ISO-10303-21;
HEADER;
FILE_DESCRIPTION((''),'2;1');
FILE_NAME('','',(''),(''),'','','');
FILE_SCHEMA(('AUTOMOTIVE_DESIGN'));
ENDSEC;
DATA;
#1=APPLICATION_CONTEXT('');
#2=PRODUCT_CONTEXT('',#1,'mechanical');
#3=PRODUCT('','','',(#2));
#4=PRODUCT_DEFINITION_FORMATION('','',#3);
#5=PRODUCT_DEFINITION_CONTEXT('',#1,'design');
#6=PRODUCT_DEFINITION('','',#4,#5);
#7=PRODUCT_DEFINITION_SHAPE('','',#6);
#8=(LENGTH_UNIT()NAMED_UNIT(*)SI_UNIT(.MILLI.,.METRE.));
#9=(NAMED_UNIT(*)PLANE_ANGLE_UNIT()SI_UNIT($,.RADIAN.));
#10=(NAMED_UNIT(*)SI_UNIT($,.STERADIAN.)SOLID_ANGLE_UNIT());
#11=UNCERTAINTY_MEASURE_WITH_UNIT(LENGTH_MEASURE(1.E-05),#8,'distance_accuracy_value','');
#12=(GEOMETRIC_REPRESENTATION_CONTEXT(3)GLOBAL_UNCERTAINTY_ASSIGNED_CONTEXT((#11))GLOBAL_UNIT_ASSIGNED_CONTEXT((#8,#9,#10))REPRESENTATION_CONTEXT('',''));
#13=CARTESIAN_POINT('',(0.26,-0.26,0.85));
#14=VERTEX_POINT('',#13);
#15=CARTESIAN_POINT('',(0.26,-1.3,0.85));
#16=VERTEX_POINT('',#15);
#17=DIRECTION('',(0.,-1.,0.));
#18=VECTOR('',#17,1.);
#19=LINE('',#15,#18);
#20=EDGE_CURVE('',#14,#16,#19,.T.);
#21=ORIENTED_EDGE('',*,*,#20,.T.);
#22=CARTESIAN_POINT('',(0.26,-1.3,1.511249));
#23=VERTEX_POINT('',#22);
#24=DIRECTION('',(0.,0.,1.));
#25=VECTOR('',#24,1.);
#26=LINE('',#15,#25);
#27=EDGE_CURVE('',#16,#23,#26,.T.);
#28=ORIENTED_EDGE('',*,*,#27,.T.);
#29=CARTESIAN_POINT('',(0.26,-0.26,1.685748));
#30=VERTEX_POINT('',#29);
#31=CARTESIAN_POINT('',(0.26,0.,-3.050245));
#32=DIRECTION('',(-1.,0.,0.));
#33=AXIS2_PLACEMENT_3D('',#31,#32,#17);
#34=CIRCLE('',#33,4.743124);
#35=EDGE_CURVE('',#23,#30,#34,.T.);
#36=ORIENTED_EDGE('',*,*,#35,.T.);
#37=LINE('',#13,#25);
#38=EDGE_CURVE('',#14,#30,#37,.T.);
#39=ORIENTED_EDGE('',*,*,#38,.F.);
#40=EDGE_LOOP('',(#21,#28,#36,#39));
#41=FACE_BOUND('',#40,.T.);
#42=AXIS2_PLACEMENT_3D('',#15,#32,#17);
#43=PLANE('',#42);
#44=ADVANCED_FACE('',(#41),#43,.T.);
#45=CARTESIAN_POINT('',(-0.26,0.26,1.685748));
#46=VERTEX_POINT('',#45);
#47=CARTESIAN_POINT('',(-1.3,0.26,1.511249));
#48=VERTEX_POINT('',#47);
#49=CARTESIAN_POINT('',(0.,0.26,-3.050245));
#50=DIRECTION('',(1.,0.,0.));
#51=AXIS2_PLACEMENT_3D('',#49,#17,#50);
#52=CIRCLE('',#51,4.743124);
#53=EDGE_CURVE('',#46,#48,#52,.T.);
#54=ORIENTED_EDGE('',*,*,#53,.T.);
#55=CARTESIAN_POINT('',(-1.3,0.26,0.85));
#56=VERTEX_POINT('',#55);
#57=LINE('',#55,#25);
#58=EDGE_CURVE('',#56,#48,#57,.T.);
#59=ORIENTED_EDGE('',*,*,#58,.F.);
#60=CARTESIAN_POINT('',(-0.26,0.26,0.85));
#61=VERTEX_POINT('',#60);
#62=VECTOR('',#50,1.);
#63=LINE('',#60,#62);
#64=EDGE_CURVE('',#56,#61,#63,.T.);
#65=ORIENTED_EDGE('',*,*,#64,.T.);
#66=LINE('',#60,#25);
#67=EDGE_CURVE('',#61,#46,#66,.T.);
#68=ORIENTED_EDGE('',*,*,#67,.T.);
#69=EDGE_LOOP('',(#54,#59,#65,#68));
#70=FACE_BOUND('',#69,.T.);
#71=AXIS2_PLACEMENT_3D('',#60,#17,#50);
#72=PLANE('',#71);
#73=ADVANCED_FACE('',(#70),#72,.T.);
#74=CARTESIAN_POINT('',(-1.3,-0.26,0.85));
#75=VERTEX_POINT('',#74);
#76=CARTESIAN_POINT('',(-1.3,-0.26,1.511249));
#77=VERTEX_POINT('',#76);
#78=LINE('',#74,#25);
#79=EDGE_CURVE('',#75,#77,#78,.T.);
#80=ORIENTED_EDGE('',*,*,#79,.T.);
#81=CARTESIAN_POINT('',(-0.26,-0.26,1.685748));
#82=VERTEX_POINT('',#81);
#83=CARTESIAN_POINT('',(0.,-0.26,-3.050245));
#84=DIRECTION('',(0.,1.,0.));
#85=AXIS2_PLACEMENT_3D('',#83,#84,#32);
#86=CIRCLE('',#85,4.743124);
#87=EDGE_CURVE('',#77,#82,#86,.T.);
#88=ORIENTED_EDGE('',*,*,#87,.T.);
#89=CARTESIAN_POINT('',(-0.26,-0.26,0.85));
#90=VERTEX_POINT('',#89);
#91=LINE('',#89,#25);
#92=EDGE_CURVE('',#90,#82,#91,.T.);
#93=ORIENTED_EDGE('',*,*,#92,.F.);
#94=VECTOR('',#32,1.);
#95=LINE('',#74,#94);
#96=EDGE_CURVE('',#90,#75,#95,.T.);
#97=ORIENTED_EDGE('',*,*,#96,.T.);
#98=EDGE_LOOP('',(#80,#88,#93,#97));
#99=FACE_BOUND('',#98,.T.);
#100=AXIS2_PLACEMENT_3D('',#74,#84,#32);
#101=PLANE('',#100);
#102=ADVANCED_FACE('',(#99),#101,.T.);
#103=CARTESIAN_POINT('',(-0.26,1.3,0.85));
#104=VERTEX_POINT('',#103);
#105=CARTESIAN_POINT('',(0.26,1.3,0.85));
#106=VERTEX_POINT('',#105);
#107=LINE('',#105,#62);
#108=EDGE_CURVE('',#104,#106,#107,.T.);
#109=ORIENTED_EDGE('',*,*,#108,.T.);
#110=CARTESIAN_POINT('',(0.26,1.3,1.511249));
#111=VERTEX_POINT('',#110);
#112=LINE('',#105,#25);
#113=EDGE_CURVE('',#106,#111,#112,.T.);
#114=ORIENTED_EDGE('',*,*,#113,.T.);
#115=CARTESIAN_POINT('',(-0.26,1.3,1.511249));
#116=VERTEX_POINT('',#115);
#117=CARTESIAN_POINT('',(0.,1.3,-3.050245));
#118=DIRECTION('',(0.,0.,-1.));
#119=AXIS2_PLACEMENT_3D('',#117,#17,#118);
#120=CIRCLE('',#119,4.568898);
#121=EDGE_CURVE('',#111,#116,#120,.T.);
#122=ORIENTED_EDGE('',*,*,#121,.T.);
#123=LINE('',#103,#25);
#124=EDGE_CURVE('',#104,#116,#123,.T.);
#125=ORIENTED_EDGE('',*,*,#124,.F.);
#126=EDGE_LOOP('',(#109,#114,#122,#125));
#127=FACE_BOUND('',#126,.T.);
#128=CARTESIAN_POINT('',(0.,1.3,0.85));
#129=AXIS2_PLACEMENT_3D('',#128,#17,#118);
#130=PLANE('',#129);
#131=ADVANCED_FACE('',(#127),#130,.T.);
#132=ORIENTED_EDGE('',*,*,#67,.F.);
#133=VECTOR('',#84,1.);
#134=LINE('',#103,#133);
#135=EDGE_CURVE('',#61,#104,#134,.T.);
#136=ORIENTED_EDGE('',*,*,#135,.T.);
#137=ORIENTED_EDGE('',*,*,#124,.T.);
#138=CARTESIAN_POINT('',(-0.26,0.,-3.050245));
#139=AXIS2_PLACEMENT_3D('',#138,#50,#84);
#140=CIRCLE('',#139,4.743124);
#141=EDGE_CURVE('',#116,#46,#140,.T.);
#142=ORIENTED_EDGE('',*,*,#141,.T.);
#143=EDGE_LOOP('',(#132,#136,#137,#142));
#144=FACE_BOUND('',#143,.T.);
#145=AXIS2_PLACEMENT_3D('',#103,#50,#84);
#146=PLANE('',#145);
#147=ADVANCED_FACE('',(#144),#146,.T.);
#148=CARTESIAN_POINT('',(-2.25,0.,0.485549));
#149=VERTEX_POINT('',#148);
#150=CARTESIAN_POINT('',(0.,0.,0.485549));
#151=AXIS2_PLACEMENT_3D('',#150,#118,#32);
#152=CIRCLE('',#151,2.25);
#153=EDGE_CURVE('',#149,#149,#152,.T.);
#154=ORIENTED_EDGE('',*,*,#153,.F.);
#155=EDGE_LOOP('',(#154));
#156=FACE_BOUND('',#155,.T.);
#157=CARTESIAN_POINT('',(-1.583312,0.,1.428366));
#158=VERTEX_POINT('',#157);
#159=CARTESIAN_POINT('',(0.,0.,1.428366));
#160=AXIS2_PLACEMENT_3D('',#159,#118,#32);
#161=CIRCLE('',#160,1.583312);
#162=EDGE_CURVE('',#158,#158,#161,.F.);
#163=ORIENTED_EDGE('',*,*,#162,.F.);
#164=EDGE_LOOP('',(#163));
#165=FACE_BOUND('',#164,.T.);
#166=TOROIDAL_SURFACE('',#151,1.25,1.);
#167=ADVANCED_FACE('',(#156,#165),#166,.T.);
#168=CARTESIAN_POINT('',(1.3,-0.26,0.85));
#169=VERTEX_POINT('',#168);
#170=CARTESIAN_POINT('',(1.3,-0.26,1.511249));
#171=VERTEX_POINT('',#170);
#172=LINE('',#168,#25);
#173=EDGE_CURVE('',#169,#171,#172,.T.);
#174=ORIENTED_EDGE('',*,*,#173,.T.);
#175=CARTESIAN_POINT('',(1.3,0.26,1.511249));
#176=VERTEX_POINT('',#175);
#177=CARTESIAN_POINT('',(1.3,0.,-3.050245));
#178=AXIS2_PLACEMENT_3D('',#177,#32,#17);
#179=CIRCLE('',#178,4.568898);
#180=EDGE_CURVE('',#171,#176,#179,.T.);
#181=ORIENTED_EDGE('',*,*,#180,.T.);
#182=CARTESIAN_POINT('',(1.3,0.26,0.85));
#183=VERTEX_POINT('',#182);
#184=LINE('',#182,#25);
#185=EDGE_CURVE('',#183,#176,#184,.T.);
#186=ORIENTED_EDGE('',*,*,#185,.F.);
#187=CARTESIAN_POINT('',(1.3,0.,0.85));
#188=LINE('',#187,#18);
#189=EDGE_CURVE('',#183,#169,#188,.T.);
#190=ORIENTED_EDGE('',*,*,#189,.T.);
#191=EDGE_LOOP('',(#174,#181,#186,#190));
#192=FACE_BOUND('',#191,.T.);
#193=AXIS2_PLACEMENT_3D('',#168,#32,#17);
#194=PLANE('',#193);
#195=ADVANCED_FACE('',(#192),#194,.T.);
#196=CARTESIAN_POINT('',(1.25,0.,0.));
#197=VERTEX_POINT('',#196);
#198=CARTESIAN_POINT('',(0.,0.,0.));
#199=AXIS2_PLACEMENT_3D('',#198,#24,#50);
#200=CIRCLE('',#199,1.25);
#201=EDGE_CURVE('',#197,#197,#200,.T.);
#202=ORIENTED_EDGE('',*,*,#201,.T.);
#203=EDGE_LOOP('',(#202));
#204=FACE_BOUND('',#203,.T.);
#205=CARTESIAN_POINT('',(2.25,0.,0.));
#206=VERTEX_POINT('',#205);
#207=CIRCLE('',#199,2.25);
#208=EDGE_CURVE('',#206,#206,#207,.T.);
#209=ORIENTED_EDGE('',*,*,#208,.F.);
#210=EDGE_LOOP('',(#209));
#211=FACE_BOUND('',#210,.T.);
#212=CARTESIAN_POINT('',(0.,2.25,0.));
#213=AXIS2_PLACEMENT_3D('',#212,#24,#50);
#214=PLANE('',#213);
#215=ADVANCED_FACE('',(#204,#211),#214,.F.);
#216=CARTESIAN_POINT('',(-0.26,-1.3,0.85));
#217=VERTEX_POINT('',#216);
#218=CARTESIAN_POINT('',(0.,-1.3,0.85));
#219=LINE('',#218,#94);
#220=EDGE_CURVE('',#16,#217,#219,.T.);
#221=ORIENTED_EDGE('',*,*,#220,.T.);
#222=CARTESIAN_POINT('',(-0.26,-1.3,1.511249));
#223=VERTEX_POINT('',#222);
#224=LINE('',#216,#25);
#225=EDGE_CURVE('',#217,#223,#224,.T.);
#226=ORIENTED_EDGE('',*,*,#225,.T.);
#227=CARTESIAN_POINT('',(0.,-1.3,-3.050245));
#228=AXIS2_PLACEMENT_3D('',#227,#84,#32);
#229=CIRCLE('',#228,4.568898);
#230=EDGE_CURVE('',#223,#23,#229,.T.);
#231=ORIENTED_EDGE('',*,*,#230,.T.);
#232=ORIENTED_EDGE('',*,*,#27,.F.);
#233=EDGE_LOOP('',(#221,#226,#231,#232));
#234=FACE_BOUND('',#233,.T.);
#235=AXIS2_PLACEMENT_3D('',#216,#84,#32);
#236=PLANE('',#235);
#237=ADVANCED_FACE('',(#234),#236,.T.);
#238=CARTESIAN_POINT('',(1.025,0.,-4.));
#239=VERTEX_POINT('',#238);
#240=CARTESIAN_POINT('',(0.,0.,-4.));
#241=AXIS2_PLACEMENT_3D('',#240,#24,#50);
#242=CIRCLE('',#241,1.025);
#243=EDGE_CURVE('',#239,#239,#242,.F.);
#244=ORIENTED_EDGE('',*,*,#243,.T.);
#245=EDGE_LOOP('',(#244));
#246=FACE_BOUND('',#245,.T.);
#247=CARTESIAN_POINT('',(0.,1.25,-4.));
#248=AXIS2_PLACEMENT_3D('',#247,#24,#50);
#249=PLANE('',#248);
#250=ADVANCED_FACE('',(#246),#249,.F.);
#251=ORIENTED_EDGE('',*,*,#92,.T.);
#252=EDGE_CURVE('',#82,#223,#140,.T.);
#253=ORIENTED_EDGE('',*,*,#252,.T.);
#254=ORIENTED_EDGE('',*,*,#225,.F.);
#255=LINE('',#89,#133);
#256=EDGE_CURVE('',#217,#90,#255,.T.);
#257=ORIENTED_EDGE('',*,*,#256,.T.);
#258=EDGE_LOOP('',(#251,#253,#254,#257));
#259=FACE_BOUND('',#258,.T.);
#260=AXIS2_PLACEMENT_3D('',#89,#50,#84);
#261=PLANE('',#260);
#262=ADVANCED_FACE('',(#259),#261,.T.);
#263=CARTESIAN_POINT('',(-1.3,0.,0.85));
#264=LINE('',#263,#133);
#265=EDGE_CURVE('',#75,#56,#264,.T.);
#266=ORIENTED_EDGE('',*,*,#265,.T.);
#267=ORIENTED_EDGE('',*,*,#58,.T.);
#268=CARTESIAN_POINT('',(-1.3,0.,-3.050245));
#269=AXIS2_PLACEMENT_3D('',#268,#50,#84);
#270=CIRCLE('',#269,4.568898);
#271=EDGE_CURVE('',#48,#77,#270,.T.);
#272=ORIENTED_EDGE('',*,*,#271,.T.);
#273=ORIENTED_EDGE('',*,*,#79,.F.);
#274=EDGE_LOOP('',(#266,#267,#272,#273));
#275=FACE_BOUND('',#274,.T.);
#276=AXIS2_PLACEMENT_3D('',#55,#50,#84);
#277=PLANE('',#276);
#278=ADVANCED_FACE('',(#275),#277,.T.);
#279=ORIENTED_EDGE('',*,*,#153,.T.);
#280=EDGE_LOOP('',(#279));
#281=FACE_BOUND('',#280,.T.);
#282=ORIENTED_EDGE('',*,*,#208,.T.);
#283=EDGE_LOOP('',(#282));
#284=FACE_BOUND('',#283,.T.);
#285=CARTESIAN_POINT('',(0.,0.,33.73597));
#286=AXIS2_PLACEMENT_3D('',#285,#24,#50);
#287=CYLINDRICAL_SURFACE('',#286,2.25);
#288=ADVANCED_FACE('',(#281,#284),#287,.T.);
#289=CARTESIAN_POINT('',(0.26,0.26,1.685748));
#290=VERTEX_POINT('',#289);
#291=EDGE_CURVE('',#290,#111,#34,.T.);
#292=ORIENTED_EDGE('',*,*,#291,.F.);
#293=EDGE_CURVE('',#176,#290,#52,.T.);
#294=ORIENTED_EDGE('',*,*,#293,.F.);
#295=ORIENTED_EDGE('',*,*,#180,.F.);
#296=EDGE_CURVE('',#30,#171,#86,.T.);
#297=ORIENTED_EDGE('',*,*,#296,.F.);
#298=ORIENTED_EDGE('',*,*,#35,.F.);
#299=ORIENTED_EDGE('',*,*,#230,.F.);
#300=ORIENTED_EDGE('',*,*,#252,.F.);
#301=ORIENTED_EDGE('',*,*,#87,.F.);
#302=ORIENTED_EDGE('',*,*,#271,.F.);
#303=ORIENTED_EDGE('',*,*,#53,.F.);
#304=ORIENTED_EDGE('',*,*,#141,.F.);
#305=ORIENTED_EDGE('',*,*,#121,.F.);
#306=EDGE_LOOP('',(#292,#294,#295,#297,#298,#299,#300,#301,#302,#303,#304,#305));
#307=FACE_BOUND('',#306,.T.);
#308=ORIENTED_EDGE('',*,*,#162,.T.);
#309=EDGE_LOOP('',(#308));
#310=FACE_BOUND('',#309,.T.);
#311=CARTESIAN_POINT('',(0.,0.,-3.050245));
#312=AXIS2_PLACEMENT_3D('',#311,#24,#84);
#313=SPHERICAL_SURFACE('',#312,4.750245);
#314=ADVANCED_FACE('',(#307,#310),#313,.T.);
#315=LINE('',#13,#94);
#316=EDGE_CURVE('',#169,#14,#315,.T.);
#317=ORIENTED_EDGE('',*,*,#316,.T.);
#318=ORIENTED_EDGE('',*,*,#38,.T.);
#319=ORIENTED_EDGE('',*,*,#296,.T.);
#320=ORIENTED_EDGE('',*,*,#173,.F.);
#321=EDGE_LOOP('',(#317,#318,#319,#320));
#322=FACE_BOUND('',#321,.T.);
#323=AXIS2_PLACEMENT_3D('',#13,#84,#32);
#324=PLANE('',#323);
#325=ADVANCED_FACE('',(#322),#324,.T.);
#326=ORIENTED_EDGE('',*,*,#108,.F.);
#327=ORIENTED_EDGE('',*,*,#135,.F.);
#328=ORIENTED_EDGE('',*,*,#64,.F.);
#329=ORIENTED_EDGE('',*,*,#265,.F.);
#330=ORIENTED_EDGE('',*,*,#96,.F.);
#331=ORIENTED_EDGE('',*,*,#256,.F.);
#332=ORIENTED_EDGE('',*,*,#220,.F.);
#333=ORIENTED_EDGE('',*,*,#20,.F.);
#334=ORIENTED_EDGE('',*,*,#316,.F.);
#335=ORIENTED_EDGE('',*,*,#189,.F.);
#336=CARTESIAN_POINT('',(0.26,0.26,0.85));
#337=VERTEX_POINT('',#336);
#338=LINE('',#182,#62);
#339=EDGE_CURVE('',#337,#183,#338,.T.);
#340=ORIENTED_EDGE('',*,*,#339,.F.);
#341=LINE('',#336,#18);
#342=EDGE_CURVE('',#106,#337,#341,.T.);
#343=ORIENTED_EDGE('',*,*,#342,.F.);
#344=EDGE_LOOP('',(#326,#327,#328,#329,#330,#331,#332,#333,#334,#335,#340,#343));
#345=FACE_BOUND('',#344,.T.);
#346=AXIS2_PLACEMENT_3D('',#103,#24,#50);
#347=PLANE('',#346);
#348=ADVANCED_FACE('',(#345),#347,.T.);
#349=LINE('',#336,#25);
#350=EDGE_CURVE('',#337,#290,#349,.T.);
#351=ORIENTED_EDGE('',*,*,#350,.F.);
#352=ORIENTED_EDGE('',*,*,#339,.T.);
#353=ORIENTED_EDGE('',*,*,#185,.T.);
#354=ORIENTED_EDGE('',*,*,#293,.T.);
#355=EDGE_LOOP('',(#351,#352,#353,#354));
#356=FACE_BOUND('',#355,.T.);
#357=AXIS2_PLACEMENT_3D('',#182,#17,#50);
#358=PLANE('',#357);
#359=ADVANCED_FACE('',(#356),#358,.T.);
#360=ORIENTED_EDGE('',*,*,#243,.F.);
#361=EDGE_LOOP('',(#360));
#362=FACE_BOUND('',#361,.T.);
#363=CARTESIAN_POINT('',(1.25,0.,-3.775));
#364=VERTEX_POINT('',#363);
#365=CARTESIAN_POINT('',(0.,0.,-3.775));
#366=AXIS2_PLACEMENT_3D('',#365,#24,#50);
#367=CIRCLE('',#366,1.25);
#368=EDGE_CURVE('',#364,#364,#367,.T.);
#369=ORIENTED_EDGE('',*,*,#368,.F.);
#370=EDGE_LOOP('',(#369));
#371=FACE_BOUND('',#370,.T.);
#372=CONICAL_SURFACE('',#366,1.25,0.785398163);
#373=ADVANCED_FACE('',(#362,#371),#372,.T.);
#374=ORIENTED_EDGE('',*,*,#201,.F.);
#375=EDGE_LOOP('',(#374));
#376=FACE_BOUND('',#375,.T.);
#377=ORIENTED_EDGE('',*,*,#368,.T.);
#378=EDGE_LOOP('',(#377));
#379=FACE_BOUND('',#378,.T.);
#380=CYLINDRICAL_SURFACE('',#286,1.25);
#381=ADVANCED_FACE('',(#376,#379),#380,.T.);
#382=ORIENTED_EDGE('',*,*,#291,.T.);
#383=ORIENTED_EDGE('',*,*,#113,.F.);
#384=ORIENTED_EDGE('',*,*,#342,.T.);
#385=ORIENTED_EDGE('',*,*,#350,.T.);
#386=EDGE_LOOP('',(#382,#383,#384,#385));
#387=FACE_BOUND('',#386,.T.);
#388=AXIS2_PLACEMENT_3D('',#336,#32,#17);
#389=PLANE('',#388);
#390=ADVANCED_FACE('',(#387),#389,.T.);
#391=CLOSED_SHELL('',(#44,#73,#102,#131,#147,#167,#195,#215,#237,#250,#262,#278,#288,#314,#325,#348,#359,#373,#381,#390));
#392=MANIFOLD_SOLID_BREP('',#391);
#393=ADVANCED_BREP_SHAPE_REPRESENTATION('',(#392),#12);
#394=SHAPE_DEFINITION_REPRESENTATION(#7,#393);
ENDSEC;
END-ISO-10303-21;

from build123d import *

# Parameters (mm, degrees)
CUT_EXTRUDE2_DEPTH = 0.85
FILLET1_R          = 1
CHAMFER1_SIZE      = 0.225


with BuildPart() as part:
    # Sketch1 → Revolve1 (revolve)
    with BuildSketch(Plane(origin=(0, 0, 0), x_dir=(0, 0, -1), z_dir=(1, 0, 0))):
        with BuildLine():
            Line((-1.133333333, 2.25), (0, 2.25))
            Line((0, 2.25), (0, 1.25))
            Line((0, 1.25), (4, 1.25))
            Line((4, 1.25), (4, 0))
            Line((4, 0), (-1.7, 0))
            ThreePointArc((-1.7, 0), (-1.556155418, 1.1601305), (-1.133333333, 2.25))
        make_face()
    revolve(axis=Axis((0, 0, 33.735969773), (0, 0, -1)))

    # Sketch2 → Cut-Extrude2 (cut)
    with BuildSketch(Plane(origin=(0, 0, 1.7), x_dir=(-1, 0, 0), z_dir=(0, 0, -1))):
        Polygon((0, 1.3), (0.26, 1.3), (0.26, 0.26), (1.3, 0.26), (1.3, 0), (1.3, -0.26), (0.26, -0.26), (0.26, -1.3), (0, -1.3), (-0.26, -1.3), (-0.26, -0.26), (-1.3, -0.26), (-1.3, 0), (-1.3, 0.26), (-0.26, 0.26), (-0.26, 1.3), align=None)
    extrude(amount=CUT_EXTRUDE2_DEPTH, mode=Mode.SUBTRACT)

    # Fillet1
    fillet1_edges = [part.edges().sort_by_distance(p)[0] for p in [
        (0, -2.25, 1.133333333),
    ]]
    fillet(fillet1_edges, radius=FILLET1_R)

    # Chamfer1
    chamfer1_edges = [part.edges().sort_by_distance(p)[0] for p in [
        (0, -1.25, -4),
    ]]
    chamfer(chamfer1_edges, length=CHAMFER1_SIZE)


solid = part.part
